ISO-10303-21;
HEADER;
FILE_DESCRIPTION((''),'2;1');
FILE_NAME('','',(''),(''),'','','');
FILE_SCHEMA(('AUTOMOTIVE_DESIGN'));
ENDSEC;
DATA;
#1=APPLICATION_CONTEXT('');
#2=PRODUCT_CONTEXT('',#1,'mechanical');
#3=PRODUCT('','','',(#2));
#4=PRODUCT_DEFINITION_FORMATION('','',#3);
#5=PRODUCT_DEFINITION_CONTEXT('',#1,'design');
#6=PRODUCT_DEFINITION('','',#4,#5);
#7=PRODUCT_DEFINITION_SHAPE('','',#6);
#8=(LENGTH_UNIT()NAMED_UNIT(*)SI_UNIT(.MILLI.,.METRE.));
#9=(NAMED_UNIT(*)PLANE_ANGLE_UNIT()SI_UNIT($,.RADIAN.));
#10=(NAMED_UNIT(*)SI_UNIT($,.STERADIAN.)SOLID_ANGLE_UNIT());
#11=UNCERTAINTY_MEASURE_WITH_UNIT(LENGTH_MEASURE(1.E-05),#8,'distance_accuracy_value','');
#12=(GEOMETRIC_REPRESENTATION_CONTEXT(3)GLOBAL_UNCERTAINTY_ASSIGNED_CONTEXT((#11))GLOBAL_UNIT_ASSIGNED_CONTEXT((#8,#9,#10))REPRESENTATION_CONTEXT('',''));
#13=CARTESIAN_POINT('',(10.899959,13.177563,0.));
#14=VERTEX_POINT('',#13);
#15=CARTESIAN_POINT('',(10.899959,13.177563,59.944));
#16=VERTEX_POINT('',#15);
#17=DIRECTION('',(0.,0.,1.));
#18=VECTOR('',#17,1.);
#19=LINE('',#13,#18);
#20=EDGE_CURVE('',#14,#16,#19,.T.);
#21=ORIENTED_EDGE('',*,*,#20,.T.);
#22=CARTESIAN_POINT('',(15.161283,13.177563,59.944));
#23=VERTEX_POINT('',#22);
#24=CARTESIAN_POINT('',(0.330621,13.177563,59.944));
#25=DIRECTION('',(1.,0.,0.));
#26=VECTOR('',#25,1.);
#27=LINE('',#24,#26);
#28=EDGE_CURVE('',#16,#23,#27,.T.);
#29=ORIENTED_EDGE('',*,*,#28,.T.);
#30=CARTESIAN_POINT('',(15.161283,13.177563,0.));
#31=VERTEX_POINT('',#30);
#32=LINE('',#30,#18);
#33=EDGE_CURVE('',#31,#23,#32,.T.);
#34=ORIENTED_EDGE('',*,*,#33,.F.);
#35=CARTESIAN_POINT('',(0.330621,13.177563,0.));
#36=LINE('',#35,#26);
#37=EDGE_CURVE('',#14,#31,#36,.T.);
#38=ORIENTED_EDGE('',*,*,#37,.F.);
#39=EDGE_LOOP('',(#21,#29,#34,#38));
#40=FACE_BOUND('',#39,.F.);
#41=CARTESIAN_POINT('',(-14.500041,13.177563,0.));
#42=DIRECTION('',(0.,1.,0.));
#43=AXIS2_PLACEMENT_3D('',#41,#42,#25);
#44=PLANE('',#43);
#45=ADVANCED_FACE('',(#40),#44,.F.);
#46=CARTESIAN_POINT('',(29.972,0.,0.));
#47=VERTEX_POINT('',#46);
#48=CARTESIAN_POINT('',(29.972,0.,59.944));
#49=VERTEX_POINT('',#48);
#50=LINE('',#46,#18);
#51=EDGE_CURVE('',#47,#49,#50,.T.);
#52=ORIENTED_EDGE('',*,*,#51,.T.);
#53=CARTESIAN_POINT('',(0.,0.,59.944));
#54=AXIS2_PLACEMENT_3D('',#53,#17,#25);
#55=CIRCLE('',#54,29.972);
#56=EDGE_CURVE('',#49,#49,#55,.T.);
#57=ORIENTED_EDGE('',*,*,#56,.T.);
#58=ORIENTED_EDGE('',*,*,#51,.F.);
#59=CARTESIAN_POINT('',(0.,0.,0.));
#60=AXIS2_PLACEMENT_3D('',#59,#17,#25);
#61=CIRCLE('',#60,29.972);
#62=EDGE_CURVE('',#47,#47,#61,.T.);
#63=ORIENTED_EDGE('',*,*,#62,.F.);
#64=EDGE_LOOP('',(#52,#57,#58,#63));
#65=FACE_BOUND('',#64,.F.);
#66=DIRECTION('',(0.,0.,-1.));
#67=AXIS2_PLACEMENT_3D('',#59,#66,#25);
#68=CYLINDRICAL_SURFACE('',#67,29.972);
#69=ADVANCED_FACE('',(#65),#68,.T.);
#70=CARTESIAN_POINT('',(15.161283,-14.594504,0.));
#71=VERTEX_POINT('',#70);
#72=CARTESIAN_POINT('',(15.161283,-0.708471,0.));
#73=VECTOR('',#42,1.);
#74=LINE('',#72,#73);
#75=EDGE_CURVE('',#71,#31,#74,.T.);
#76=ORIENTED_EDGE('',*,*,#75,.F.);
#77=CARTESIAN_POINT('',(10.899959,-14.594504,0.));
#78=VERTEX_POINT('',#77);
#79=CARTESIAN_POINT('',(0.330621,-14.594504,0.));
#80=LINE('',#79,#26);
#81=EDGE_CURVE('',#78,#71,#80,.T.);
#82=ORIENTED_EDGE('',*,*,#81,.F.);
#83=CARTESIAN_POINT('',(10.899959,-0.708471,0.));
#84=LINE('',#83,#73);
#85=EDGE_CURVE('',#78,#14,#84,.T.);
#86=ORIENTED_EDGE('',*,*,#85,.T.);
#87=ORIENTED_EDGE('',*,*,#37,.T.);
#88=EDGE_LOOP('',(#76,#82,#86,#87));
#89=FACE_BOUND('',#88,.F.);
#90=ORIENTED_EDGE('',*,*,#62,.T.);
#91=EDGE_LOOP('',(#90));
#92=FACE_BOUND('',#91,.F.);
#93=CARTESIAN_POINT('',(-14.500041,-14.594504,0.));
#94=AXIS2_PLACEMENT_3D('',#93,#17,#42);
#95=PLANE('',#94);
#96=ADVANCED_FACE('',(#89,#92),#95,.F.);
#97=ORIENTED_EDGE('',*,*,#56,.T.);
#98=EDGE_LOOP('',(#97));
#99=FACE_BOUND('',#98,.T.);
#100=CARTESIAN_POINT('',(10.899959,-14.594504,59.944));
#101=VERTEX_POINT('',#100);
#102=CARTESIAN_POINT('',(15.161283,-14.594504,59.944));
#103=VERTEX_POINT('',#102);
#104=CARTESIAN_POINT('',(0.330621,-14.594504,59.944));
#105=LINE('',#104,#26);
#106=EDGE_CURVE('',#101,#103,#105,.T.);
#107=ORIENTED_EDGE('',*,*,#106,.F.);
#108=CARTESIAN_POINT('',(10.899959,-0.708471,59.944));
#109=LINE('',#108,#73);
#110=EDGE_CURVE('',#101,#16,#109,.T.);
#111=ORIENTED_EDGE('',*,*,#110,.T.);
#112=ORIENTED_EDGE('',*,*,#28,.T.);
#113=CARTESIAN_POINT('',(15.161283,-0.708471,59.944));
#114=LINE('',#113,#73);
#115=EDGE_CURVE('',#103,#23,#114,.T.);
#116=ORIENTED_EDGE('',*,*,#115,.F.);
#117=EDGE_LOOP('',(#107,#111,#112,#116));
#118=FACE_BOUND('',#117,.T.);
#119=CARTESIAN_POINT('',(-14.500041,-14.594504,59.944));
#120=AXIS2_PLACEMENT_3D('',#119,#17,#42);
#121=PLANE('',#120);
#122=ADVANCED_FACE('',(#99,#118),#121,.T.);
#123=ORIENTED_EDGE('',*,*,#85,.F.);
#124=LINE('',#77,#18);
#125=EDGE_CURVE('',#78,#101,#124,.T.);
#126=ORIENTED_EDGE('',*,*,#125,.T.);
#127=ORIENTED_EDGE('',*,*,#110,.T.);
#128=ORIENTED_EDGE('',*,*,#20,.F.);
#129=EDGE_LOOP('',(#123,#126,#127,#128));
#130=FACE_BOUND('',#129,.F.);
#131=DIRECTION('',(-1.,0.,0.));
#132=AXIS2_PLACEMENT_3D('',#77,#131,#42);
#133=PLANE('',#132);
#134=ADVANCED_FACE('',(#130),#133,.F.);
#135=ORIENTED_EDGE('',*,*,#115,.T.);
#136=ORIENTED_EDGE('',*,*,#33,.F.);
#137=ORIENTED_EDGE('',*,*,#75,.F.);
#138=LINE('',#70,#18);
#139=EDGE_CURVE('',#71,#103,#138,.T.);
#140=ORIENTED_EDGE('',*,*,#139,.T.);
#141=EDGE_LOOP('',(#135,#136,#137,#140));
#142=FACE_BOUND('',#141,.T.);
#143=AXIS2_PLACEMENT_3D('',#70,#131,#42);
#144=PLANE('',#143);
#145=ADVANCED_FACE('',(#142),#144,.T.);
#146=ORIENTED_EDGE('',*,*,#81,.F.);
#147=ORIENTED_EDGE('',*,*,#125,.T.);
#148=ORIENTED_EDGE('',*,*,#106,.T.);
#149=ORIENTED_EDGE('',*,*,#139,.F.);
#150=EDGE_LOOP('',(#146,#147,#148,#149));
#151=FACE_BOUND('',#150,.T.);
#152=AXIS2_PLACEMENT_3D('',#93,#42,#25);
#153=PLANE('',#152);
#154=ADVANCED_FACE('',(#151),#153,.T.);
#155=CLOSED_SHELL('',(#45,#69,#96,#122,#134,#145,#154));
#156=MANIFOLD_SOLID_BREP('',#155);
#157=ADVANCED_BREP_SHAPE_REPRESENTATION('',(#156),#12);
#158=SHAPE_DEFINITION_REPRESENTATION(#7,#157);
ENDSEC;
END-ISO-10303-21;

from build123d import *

# Parameters (mm, degrees)
F0_R     = 29.972
F0_W     = 29.6613248065
F0_H     = 27.7720661834
F1_DEPTH = 59.944
F2_DEPTH = 25.4


with BuildPart() as f1:
    # F0 (on Top) → F1 (new body)
    with BuildSketch(Plane.XY):
        Circle(F0_R)
        with Locations((0.330620911, -0.7084705867)):
            Rectangle(F0_W, F0_H, mode=Mode.SUBTRACT)
    extrude(amount=F1_DEPTH)

    # F2 (add): a face of the model
    f2_faces = [f1.faces().sort_by_distance(p)[0] for p in [
        (-14.5000414923, -0.7084705867, 29.972),
    ]]
    extrude(f2_faces, amount=F2_DEPTH)


solid = f1.part
